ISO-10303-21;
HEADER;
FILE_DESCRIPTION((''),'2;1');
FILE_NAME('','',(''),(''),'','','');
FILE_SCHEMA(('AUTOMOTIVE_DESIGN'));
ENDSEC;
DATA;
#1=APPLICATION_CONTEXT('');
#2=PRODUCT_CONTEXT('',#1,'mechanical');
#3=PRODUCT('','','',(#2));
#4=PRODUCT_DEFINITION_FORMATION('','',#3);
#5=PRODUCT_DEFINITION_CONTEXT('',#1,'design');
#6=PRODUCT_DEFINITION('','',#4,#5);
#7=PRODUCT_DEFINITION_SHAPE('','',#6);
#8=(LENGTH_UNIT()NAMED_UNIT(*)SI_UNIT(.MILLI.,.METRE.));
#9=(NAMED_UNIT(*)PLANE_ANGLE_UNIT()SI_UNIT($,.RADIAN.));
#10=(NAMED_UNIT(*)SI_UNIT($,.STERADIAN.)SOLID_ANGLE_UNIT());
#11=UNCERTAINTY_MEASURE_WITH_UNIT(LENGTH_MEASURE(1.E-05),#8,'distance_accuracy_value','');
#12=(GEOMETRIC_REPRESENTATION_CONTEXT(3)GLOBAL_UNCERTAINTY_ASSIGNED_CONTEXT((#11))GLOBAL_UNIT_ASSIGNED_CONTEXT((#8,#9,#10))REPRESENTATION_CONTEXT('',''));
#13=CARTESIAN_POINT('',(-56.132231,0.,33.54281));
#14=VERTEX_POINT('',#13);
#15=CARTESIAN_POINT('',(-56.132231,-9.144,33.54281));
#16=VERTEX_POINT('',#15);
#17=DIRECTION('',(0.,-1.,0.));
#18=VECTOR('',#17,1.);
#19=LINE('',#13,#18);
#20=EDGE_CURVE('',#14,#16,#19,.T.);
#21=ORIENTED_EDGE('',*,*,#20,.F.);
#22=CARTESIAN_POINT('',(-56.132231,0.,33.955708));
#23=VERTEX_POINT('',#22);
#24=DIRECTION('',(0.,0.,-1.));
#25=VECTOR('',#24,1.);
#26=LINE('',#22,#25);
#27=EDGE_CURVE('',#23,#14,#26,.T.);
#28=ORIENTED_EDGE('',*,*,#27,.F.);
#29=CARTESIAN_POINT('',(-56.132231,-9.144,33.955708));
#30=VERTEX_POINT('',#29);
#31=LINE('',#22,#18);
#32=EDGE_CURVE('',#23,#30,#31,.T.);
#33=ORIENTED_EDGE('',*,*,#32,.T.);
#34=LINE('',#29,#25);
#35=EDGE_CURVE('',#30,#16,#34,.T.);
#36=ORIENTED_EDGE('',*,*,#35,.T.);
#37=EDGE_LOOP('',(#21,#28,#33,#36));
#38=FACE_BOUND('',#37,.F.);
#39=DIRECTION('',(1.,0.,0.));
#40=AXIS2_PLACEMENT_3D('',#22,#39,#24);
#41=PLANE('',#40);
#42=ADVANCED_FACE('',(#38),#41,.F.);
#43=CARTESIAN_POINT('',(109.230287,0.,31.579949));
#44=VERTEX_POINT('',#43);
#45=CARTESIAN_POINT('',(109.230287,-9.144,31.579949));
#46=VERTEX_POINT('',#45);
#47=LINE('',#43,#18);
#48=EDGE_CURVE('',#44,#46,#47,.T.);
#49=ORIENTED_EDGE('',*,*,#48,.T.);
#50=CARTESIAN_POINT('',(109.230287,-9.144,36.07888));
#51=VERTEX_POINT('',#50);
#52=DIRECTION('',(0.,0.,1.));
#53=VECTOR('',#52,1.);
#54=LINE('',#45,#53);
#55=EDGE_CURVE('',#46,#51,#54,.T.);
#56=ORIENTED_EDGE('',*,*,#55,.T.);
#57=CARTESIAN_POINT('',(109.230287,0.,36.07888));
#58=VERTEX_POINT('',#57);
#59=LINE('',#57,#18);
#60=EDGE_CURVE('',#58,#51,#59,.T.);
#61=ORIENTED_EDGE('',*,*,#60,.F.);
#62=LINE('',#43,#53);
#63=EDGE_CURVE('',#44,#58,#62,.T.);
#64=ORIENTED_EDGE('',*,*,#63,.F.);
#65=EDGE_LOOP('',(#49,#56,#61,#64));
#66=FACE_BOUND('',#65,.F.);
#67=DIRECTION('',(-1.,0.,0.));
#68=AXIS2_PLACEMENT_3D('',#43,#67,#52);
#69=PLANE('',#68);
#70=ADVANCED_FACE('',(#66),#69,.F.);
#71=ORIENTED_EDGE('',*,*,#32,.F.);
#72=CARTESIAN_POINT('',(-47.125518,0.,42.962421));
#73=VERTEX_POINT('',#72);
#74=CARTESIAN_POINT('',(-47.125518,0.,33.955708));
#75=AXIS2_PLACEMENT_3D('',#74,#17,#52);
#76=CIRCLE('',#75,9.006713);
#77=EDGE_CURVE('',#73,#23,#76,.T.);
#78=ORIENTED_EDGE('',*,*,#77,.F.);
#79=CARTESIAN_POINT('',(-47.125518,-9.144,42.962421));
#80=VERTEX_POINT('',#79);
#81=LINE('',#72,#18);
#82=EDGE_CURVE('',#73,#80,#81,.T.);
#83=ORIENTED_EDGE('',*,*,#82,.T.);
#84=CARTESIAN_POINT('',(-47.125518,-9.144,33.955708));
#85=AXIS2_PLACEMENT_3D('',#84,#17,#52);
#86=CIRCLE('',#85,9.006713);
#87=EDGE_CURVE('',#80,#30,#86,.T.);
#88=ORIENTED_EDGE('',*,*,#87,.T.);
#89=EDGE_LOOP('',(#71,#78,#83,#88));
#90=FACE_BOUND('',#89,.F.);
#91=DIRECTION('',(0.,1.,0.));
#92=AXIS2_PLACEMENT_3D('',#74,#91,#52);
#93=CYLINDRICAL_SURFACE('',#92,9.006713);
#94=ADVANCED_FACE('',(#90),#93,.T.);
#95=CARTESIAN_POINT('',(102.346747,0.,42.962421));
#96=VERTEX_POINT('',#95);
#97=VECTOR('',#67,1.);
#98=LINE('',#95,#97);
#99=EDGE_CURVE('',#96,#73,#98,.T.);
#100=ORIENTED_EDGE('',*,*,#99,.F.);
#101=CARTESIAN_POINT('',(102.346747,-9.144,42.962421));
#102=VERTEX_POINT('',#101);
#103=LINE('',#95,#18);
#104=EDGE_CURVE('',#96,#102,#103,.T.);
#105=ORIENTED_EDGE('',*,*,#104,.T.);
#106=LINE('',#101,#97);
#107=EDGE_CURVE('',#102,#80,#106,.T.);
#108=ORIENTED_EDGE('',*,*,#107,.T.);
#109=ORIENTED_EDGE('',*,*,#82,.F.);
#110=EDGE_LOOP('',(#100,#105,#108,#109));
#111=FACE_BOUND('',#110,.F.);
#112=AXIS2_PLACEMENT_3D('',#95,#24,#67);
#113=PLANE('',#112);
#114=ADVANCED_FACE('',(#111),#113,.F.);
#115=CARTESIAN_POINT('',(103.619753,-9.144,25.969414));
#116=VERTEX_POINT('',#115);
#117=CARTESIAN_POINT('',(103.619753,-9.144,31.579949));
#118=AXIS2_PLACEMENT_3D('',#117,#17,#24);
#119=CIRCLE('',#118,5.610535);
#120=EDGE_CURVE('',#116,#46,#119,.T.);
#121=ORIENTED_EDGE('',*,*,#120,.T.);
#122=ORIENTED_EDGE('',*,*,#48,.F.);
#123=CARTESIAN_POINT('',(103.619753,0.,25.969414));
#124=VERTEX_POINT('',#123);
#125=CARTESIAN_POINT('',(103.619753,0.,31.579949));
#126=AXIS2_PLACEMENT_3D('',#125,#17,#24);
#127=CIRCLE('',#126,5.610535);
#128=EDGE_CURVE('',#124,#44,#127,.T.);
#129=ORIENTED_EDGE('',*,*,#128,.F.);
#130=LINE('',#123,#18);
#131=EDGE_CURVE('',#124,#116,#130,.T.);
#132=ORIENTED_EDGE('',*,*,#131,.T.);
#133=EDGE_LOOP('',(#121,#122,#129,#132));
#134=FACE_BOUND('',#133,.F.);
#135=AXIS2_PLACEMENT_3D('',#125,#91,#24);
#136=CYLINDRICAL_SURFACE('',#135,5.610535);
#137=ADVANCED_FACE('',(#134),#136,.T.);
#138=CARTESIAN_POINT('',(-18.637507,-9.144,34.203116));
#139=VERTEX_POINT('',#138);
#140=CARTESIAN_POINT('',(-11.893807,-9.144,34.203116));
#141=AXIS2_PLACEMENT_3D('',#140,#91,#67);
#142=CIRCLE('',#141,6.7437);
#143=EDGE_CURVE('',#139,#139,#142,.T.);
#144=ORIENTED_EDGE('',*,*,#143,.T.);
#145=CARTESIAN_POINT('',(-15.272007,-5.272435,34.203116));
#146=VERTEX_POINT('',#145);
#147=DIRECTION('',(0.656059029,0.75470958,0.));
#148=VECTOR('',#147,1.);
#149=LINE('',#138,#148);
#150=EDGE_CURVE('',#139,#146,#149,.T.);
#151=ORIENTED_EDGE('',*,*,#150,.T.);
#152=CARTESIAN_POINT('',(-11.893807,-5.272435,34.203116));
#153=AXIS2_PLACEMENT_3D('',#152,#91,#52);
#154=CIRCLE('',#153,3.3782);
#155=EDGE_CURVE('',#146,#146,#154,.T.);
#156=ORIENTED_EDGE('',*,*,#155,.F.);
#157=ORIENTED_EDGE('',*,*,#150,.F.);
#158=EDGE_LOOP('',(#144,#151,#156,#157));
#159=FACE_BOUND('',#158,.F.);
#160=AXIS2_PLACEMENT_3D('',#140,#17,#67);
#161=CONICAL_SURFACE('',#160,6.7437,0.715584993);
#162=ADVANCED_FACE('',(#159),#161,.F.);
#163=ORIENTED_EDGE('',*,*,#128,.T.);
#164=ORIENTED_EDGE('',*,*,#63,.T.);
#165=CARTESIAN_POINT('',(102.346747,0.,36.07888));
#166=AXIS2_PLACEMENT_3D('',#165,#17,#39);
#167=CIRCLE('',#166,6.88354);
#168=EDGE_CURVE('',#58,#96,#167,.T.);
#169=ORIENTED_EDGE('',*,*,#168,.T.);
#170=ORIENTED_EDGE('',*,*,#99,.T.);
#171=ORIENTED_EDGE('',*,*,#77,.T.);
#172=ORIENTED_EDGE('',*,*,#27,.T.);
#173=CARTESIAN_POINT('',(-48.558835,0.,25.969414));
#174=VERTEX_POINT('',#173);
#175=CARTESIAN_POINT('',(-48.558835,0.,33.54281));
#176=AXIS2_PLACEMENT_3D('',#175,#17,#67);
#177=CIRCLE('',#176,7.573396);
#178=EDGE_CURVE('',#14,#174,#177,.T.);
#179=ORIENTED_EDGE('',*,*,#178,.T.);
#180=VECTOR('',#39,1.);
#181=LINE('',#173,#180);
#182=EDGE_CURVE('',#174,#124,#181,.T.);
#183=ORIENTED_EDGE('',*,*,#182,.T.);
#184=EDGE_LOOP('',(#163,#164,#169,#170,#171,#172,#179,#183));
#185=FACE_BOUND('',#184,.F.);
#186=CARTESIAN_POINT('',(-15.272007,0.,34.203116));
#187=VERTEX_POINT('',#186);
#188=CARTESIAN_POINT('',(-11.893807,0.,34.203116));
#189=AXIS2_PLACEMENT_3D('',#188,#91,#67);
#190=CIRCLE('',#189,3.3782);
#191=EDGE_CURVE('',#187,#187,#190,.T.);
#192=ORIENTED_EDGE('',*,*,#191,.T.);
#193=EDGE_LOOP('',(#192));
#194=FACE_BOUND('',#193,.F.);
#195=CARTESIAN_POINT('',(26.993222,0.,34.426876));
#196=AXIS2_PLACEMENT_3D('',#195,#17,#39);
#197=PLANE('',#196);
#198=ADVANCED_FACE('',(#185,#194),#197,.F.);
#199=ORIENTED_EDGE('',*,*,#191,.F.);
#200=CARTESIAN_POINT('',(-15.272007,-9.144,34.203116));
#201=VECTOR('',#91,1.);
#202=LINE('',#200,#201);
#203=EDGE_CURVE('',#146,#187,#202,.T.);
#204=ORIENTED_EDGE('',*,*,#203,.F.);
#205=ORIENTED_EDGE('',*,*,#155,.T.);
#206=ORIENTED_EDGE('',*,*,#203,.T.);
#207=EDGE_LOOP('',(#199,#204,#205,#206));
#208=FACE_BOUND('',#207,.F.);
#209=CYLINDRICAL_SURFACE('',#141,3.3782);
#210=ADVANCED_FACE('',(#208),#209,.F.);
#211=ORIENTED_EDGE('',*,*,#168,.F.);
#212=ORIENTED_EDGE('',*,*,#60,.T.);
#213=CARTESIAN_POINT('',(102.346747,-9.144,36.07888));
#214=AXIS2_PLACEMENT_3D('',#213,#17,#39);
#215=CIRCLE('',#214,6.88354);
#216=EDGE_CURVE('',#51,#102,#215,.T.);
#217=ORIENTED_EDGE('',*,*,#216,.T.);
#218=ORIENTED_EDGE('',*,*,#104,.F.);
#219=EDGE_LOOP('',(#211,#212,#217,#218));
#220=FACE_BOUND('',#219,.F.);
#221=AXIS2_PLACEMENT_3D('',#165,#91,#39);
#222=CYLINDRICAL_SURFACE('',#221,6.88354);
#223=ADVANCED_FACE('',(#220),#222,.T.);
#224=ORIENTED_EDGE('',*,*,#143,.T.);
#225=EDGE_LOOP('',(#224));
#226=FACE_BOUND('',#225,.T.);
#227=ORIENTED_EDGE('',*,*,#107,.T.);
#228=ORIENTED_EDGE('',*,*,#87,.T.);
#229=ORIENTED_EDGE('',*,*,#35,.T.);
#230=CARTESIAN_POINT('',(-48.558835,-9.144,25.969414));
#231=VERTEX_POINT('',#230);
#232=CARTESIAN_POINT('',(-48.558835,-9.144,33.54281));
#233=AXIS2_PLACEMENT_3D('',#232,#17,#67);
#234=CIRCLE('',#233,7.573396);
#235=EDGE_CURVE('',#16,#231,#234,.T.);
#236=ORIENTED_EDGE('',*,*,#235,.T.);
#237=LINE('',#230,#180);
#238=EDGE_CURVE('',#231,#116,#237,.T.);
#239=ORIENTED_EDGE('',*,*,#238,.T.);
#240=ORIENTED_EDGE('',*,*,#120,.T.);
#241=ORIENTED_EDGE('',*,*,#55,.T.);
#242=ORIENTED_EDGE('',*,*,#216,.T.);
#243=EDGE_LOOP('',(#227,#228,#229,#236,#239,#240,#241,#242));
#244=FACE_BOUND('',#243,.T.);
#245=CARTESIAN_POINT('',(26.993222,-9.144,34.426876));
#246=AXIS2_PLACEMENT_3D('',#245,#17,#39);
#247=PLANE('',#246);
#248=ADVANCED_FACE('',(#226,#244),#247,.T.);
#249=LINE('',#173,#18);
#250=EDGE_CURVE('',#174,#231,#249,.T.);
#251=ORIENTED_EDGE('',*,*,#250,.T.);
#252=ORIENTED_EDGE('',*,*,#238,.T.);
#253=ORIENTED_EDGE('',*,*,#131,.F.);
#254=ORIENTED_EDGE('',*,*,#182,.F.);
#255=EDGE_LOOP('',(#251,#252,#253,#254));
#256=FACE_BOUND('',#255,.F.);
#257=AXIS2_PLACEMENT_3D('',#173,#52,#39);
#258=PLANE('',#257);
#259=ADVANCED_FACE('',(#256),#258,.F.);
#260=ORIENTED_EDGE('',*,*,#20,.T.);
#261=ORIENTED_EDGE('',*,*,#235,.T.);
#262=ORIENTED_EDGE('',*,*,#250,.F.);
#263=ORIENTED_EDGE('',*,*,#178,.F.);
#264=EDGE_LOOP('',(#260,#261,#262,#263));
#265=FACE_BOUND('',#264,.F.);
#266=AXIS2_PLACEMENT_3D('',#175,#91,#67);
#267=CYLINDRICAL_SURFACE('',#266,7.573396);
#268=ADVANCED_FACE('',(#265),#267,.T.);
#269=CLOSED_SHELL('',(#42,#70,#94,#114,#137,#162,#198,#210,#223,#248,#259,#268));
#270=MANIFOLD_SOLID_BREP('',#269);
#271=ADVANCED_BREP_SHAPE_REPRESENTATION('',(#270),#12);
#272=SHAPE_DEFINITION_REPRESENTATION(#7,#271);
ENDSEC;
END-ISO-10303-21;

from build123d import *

# Parameters (mm, degrees)
F1_DEPTH       = 9.144
F3_D           = 6.7564
F3_CSINK_D     = 13.4874
F3_CSINK_ANGLE = 82


with BuildPart() as f1:
    # F0 (on Front) → F1 (new body)
    with BuildSketch(Plane.XZ):
        with BuildLine():
            Line((102.3467471009, 42.9624207318), (-47.1255183204, 42.9624207318))
            ThreePointArc((-47.1255183204, 42.9624207318), (-53.4942258671, 40.3244156912), (-56.1322309077, 33.9557081445))
            Line((-56.1322309077, 33.9557081445), (-56.1322309077, 33.542809715))
            ThreePointArc((-56.1322309077, 33.542809715), (-53.9140346712, 28.1876102769), (-48.5588352331, 25.9694140404))
            Line((-48.5588352331, 25.9694140404), (103.6197527466, 25.9694140404))
            ThreePointArc((103.6197527466, 25.9694140404), (107.586999827, 27.6127015865), (109.2302873731, 31.5799486669))
            Line((109.2302873731, 31.5799486669), (109.2302873731, 36.0788804597))
            ThreePointArc((109.2302873731, 36.0788804597), (107.2141451059, 40.9462784646), (102.3467471009, 42.9624207318))
        make_face()
    extrude(amount=F1_DEPTH)

    # F3 (through all)
    with Locations(Plane.XZ.offset(9.144)):
        with Locations((-11.8938069791, 34.2031158507)):
            CounterSinkHole(F3_D / 2, F3_CSINK_D / 2, counter_sink_angle=F3_CSINK_ANGLE)


solid = f1.part
